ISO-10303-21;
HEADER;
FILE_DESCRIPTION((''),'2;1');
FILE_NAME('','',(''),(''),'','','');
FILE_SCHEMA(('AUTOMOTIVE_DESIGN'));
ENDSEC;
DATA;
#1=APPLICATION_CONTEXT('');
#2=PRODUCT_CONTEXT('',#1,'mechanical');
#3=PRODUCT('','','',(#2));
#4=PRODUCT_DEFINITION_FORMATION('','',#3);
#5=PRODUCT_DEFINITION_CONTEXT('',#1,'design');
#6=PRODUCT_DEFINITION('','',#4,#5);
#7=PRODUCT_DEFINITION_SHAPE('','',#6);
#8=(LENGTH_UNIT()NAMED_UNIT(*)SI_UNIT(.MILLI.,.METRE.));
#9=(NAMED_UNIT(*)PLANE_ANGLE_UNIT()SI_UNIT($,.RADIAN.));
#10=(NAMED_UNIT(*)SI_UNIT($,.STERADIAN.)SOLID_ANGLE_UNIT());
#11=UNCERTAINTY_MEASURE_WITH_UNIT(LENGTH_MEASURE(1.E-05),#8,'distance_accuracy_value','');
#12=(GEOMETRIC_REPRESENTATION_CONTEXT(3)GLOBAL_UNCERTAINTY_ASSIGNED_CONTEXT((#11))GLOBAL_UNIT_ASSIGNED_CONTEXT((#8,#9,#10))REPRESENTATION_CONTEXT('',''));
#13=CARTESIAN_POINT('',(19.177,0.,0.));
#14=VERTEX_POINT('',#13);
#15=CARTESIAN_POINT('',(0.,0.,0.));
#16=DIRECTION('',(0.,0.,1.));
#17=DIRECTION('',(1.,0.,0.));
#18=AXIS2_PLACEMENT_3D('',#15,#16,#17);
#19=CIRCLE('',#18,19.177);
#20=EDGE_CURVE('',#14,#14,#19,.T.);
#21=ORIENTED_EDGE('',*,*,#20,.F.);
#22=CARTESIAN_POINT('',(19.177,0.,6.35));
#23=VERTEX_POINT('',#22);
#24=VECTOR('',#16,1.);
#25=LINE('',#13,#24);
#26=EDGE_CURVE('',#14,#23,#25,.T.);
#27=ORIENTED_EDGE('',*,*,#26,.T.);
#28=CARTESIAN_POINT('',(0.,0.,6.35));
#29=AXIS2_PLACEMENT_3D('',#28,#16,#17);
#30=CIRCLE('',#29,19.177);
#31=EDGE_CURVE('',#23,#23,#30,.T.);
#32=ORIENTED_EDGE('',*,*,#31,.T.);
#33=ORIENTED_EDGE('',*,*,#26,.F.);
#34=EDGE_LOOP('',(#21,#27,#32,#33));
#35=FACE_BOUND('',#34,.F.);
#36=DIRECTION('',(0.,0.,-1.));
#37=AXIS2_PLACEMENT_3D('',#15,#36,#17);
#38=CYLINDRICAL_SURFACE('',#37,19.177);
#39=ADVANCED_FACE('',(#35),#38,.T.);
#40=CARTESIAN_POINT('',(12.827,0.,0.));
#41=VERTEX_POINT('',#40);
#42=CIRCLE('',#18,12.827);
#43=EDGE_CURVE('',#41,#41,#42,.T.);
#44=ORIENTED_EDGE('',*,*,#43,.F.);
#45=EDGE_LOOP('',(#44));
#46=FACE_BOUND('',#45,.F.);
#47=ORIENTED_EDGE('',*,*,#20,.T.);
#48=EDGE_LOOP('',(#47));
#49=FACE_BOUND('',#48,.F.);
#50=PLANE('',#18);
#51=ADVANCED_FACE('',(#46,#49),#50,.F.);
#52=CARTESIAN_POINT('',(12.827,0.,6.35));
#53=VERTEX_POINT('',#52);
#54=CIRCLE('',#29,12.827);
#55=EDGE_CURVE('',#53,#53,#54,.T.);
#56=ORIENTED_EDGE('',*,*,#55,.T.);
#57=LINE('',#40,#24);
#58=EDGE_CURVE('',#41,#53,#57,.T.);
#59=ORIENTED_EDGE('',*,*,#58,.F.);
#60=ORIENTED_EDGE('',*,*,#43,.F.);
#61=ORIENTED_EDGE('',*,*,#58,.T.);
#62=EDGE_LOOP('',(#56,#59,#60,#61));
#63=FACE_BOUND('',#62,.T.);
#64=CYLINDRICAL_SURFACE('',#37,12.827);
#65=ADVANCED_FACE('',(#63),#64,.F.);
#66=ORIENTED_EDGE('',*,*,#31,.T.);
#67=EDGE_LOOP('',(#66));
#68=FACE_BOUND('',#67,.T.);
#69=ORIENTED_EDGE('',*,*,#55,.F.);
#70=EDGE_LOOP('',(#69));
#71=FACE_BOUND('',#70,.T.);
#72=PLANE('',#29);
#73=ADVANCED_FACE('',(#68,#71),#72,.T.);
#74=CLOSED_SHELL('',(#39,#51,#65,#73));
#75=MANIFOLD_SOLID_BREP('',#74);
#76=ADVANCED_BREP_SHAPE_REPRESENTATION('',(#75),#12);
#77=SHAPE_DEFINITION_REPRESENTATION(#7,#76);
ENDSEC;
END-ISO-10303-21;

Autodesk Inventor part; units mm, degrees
ref_plane "YZ Plane" through (0, 0, 0) normal (1, 0, 0) x (0, 1, 0)
ref_plane "XZ Plane" through (0, 0, 0) normal (0, 1, 0) x (-1, 0, 0)
ref_plane "XY Plane" through (0, 0, 0) normal (0, 0, 1) x (1, 0, 0)
sketch "Sketch1" plane through (0, 0, 0) normal (0, 0, 1) x (1, 0, 0)
  circle A0 centre (0, 0) radius 12.827
  circle A1 centre (0, 0) radius 19.177
  dimension "d0" = 25.654
  dimension "d1" = 6.35
extrude "Extrusion1" add sketch "Sketch1" along normal blind 6.35
equation "\"d0\" = IG_shaftDiameter + W_holesClearance"
equation "\"d1\" = B_bearingThickness"
equation "\"d2\" = W_wallThickness"
equation "\"Wheel_Related_W_\" = 0"
equation "\"W_innerDiameter\" = 254"
equation "\"W_innerDepth\" = 50.8"
equation "\"W_wallThickness\" = 6.35"
equation "\"W_holesClearance\" = 0.254"
equation "\"W_outerGearHoleDiameter\" = 13.208"
equation "\"W_innerGearHoleDiameter\" = 38.608"
equation "\"TempSpotReserved7\" = 0"
equation "\"TempSpotReserved8\" = 0"
equation "\"TempSpotReserved9\" = 0"
equation "\"TempSpotReserved10\" = 0"
equation "\"Inner_Gear_Related_IG_\" = 0"
equation "\"IG_shaftDiameter\" = 25.4"
equation "\"IG_gearDiameter\" = 127"
equation "\"IG_shaftLength\" = 127"
equation "\"IG_gearThickness\" = 6.35"
equation "\"IG_ratioToOuterGear\" = 2.5"
equation "\"TempSpotReserved16\" = 0"
equation "\"TempSpotReserved17\" = 0"
equation "\"TempSpotReserved18\" = 0"
equation "\"TempSpotReserved19\" = 0"
equation "\"TempSpotReserved20\" = 0"
equation "\"Outer_Gear_Related_OG_\" = 0"
equation "\"OG_distanceFromCenter\" = 88.9"
equation "\"OG_shaftDiameter\" = 12.7"
equation "\"OG_gearDiameter\" = 50.8"
equation "\"OG_shaftLength\" = 57.15"
equation "\"OG_gearThickness\" = 6.35"
equation "\"TempSpotReserved27\" = 0"
equation "\"TempSpotReserved28\" = 0"
equation "\"TempSpotReserved29\" = 0"
equation "\"TempSpotReserved30\" = 0"
equation "\"Leg_Extensions_Related_LE_\" = 0"
equation "\"LE_baseDiameter\" = 19.05"
equation "\"LE_maxLength\" = 93.92488"
equation "\"LE_thickness\" = 19.05"
equation "\"TempSpotReserved47\" = 0"
equation "\"B_bearingThickness\" = 6.35"
equation "\"TempSpotReserved50\" = 0"
equation "\"TempSpotReserved43\" = 0"
equation "\"TempSpotReserved45\" = 0"
equation "\"Thisisatest\" = 25.4"
equation "\"TempSpotReserved48\" = 0"
equation "\"TempSpotReserved46\" = 0"
equation "\"TempSpotReserved44\" = 0"
equation "\"TempSpotReserved49\" = 0"
equation "\"TempSpotReserved35\" = 0"
equation "\"TempSpotReserved39\" = 0"
equation "\"TempSpotReserved38\" = 0"
equation "\"TempSpotReserved37\" = 0"
equation "\"LE_offsetAboveOuterGear\" = 0"
equation "\"TempSpotReserved36\" = 0"
equation "\"TempSpotReserved40\" = 0"
equation "\"Bearing_Related_B_\" = 0"
equation "\"TempSpotReserved42\" = 0"
properties part number "bearing_1"
